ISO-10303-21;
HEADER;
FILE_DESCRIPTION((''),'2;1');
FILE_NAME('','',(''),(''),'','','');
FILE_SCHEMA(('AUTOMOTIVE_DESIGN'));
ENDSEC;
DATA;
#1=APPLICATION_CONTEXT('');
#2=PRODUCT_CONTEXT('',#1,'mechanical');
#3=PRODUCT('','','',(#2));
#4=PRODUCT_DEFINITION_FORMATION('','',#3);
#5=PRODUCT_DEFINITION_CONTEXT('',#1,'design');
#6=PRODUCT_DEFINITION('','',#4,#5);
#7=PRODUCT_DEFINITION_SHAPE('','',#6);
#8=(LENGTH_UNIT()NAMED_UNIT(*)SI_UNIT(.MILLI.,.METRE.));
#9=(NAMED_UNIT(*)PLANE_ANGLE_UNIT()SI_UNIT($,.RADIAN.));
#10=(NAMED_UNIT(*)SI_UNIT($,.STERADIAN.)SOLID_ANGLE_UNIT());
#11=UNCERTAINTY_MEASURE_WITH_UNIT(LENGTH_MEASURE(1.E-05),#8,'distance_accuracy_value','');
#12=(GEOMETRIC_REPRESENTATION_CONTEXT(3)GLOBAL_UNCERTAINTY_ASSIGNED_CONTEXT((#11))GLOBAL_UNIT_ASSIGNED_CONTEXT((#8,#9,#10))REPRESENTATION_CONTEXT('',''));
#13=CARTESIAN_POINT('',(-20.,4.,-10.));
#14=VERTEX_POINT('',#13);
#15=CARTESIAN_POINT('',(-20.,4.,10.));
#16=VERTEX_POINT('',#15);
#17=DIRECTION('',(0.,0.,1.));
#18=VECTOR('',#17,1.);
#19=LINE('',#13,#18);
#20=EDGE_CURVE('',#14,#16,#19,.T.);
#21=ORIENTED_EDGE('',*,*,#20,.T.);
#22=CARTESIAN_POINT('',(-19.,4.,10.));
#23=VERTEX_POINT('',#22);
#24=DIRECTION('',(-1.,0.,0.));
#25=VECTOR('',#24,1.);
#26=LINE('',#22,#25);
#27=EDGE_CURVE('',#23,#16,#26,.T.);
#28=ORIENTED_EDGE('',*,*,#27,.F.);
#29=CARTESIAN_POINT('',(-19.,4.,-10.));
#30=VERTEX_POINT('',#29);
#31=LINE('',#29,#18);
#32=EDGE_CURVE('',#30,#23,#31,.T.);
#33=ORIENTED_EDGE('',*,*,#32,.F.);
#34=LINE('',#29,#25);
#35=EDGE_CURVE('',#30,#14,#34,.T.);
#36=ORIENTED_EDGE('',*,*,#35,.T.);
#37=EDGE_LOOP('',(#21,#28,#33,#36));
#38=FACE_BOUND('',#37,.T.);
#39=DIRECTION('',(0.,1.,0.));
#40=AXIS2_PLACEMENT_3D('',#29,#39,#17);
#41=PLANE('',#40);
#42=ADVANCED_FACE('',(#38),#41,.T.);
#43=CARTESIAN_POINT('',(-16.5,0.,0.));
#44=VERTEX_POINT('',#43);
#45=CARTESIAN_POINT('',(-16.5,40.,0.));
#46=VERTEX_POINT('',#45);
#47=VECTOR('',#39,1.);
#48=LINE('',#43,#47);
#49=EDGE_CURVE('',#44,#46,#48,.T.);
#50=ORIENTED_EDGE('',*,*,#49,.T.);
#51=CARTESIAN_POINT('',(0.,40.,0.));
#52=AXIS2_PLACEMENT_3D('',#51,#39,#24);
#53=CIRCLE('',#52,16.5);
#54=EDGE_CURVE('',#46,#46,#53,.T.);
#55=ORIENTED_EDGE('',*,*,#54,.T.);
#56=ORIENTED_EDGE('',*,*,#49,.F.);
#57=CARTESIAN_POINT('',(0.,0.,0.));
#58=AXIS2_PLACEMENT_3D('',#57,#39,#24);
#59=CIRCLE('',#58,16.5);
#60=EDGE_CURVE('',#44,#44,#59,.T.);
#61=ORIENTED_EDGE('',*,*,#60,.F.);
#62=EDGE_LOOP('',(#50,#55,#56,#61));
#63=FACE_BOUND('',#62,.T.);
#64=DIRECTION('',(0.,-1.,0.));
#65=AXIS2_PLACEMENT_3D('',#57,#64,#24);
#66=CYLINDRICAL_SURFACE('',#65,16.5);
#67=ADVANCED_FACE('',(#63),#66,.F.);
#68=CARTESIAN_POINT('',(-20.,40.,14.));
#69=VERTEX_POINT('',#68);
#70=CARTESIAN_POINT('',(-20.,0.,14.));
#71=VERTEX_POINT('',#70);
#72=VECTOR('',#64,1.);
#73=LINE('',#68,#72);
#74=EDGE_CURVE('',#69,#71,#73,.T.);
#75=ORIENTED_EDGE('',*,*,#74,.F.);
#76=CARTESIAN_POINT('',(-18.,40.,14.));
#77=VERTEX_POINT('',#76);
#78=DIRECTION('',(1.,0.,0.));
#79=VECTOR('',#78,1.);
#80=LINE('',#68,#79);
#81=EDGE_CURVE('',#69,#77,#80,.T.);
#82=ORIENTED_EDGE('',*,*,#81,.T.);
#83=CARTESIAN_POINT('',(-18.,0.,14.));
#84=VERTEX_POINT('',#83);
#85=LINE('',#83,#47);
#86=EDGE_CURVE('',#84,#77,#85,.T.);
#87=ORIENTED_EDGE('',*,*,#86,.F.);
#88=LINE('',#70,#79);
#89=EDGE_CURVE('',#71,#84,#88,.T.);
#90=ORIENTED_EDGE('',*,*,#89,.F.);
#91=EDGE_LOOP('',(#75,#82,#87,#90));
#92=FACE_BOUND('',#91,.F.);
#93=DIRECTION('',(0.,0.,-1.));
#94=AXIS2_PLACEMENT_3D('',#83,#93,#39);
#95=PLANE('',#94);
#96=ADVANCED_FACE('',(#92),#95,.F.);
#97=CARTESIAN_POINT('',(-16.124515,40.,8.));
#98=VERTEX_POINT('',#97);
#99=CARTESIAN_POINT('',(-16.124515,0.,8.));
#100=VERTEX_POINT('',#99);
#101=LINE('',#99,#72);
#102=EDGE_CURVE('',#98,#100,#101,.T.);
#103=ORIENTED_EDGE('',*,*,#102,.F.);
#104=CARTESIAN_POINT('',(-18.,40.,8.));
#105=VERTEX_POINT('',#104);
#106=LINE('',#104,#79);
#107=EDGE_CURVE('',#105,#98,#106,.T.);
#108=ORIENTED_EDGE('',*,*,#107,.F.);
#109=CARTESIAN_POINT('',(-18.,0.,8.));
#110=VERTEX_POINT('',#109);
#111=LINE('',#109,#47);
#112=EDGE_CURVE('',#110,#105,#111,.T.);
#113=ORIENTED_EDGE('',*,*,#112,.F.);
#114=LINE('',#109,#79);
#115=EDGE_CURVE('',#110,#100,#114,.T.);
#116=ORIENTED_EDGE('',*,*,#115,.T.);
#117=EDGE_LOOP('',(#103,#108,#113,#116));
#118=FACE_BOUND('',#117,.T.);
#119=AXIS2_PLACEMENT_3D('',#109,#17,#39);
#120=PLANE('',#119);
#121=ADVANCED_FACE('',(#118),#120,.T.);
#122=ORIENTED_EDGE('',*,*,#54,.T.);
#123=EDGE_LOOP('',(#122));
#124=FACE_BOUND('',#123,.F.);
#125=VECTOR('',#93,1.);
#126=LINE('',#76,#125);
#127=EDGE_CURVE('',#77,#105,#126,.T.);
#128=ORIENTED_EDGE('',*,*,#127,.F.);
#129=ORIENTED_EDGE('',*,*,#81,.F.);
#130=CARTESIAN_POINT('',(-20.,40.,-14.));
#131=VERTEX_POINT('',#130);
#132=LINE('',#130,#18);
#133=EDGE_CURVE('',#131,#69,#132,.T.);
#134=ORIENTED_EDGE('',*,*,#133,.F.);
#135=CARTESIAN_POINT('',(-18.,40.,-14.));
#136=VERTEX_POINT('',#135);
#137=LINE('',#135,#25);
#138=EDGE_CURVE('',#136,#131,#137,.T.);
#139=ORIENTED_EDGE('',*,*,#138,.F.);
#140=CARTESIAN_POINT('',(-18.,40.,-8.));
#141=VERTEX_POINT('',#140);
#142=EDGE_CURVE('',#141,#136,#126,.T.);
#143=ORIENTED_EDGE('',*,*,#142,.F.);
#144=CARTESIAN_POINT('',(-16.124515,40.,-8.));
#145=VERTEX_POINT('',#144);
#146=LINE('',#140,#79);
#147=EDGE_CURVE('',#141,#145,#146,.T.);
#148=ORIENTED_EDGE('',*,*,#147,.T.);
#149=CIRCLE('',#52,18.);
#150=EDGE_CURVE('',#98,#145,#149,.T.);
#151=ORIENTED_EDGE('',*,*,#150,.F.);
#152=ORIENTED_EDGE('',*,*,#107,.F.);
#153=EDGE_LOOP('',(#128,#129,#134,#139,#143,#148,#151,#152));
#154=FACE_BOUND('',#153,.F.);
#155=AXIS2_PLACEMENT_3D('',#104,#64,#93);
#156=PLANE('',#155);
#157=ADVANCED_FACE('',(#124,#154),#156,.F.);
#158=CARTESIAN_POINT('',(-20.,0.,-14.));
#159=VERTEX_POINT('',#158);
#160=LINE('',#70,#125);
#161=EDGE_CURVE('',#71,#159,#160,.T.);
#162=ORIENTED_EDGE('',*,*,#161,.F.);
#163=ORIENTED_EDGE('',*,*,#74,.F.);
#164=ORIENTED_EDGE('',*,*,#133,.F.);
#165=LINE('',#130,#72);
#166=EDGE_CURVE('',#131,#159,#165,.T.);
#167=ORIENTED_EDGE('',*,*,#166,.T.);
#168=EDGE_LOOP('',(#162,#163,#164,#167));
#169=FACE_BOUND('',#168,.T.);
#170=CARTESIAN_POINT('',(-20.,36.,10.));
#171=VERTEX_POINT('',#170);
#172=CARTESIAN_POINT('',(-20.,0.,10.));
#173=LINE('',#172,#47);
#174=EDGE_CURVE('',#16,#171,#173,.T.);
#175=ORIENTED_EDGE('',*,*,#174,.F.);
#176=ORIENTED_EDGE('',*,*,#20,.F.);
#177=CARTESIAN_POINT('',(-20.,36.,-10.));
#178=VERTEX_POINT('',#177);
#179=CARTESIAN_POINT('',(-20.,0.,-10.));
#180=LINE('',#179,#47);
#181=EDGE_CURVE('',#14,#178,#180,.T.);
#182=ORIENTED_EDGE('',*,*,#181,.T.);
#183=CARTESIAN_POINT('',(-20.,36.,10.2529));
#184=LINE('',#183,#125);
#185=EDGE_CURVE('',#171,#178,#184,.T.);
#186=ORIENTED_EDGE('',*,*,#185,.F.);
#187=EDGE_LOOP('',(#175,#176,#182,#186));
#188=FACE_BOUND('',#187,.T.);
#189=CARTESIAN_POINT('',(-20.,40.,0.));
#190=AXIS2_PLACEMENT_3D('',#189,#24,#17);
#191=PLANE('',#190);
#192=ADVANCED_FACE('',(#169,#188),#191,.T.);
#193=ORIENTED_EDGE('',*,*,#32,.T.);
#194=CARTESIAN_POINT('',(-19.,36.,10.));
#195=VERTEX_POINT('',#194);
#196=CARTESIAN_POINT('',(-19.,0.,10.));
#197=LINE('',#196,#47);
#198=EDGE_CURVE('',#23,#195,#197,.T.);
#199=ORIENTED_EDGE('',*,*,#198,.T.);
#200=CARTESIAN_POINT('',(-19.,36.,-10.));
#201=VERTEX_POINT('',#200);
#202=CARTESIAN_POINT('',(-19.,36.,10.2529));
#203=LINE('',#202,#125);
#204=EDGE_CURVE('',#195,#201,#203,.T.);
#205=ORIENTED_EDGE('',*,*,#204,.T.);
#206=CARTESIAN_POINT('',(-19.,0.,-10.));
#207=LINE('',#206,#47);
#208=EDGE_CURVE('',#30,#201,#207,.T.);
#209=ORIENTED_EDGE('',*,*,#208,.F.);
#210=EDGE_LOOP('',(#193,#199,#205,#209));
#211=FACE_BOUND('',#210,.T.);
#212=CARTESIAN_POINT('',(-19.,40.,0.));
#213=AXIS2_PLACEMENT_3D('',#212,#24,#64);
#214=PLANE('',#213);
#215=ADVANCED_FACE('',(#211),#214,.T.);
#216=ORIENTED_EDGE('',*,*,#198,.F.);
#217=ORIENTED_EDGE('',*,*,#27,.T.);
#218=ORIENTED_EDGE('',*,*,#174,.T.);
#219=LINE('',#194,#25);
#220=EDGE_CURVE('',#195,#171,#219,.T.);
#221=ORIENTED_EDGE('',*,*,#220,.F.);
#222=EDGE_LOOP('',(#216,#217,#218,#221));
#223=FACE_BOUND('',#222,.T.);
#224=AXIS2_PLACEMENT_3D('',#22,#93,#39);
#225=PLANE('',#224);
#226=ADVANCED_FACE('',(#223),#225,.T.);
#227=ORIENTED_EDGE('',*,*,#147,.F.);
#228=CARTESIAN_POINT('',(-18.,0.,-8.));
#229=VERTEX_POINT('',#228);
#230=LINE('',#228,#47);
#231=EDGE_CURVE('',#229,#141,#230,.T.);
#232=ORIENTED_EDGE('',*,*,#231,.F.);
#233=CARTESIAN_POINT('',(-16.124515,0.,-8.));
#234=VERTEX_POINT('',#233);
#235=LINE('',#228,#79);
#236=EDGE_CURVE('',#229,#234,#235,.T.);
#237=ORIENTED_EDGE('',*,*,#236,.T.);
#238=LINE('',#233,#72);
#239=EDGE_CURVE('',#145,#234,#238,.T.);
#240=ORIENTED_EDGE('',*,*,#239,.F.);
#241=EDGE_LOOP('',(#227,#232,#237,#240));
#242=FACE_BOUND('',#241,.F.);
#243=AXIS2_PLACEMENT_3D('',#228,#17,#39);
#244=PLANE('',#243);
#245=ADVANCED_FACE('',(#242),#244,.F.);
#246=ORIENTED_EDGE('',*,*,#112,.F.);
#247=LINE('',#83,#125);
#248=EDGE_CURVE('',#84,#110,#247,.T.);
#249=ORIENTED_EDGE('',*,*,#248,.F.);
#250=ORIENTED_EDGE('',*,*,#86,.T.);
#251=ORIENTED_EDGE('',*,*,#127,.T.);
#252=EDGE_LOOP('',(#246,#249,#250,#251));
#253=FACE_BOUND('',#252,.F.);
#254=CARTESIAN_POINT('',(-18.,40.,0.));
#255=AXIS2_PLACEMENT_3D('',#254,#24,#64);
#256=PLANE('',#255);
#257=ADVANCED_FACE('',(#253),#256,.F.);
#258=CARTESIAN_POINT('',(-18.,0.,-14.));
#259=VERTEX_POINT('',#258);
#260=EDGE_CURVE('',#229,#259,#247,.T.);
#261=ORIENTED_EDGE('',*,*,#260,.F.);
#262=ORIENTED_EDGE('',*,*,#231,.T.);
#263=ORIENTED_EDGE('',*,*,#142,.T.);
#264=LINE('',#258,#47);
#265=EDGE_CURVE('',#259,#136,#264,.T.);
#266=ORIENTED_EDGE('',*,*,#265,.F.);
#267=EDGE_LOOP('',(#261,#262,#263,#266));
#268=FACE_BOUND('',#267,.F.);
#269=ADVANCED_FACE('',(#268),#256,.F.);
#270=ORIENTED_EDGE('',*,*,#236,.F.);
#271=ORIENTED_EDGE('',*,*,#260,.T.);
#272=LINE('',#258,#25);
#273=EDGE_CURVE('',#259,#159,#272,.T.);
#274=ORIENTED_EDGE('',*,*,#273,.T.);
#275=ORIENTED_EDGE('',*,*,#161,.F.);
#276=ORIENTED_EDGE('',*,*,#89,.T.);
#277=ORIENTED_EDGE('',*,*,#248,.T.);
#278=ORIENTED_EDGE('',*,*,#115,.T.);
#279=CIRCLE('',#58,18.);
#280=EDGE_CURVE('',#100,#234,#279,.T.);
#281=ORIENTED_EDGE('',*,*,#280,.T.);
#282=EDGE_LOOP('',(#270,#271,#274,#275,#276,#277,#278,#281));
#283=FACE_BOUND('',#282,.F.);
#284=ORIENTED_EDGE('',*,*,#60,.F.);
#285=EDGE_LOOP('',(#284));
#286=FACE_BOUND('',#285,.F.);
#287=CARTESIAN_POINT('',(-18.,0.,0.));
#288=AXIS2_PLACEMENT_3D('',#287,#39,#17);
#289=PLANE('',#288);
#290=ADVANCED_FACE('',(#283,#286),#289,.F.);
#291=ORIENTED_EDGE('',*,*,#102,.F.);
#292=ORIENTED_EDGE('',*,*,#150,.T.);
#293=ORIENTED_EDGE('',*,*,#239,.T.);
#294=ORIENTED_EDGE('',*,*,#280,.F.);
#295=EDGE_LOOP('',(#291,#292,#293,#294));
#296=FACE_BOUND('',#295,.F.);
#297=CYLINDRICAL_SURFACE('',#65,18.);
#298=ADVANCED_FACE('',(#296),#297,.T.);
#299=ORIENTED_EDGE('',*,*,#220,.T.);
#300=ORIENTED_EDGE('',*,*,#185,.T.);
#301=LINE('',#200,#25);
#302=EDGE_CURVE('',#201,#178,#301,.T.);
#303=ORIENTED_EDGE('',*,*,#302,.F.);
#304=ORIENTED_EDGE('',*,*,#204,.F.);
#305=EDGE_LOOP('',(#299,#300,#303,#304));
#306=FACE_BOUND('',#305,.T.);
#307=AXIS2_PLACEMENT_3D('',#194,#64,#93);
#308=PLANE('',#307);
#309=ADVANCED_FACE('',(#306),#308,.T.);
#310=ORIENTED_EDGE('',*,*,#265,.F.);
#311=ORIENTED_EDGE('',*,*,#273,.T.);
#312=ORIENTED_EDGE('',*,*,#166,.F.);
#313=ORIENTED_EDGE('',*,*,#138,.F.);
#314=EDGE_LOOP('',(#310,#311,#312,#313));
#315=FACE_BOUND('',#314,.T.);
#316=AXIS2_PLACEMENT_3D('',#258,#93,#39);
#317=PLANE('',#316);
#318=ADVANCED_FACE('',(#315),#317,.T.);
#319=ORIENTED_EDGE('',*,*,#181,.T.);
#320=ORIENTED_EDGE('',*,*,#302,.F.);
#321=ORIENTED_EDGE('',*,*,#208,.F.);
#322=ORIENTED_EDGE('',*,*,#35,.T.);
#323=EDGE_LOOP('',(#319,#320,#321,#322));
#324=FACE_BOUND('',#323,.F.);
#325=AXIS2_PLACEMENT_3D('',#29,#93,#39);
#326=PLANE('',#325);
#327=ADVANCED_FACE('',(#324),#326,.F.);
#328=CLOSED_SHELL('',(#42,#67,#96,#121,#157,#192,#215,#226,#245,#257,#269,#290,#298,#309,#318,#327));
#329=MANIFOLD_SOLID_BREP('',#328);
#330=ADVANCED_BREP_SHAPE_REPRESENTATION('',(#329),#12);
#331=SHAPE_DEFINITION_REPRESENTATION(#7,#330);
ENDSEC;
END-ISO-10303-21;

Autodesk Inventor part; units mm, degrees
ref_plane "YZ Plane" through (0, 0, 0) normal (1, 0, 0) x (0, 1, 0)
ref_plane "XZ Plane" through (0, 0, 0) normal (0, 1, 0) x (-1, 0, 0)
sketch "Sketch1" plane through (0, 0, 0) normal (0, 1, 0) x (-1, 0, 0)
  circle A0 centre (0, 0) radius 16.5
  circle A1 centre (0, 0) radius 18
  dimension "d0" = 33
  dimension "d1" = 36
extrude "Extrusion1" add sketch "Sketch1" along normal blind 40
sketch "Sketch2" plane through (0, 40, 0) normal (0, 1, 0) x (1, 0, 0)
  circle A0 centre (0, 0) radius 18 construction
  circle A1 centre (0, 0) radius 16.5 construction
  line L0 (0, 0) -> (-18, 0) construction
ref_plane "Work Plane1" through (-18, 40, 0) normal (-1, 0, 0) x (0, -1, 0)
sketch "Sketch3" plane through (-18, 40, 0) normal (-1, 0, 0) x (0, -1, 0)
  line L0 (0, 18) -> (0, -18) construction
  line L1 (40, 18) -> (40, -18) construction
  line L2 (0, 0) -> (40, 0)
  line L3 (40, 0) -> (40, -8)
  line L4 (40, -8) -> (0, -8)
  line L5 (0, -8) -> (0, 0)
  line L6 (40, 0) -> (40, 8)
  line L7 (40, 8) -> (0, 8)
  line L8 (0, 8) -> (0, 0)
  line L9 (0, -8) -> (40, -8)
  line L10 (40, -8) -> (40, -14)
  line L11 (40, -14) -> (0, -14)
  line L12 (0, -14) -> (0, -8)
  line L13 (0, 8) -> (40, 8)
  line L14 (40, 8) -> (40, 14)
  line L15 (40, 14) -> (0, 14)
  line L16 (0, 14) -> (0, 8)
  dimension "d4" = 8
  dimension "d5" = 6
  dimension "d6" = 6
extrude "Extrusion2" add sketch "Sketch3" against normal up to surface contours L8 L7 L6 L2 | L2 L3 L4 L5
extrude "Extrusion3" add sketch "Sketch3" along normal blind 1
sketch "Sketch4" plane through (-19, 40, 0) normal (-1, 0, 0) x (0, 0, 1)
  line L0 (14, 0) -> (-14, 0) construction
  line L1 (-14, -40) -> (-10, -40)
  line L2 (-10, -40) -> (-10, 0)
  line L3 (-10, 0) -> (-14, 0)
  line L4 (-14, 0) -> (-14, -40)
  line L5 (-10, 0) -> (10.2529, 0)
  line L6 (10.2529, 0) -> (10.2529, -4)
  line L7 (10.2529, -4) -> (-10, -4)
  line L8 (-10, -4) -> (-10, 0)
  line L9 (14, -40) -> (10, -40)
  line L10 (10, -40) -> (10, 0)
  line L11 (10, 0) -> (14, 0)
  line L12 (14, 0) -> (14, -40)
  line L13 (10, -40) -> (-10, -40)
  line L14 (-10, -40) -> (-10, -36)
  line L15 (-10, -36) -> (10, -36)
  line L16 (10, -36) -> (10, -40)
  point P0 (0, -40)
  point P1 (10, -4)
  point P2 (-10, -4)
  dimension "d11" = 4
  dimension "d12" = 4
  dimension "d13" = 4
  dimension "d14" = 4
extrude "Extrusion4" add sketch "Sketch4" along normal blind 1 contours L4 L3 L2 L1 | L2 L15 L10 L13 | L10 L7 L6 L11 L12 L9 | L5 L10 L7 L2 | L5 L6 L7 L10
